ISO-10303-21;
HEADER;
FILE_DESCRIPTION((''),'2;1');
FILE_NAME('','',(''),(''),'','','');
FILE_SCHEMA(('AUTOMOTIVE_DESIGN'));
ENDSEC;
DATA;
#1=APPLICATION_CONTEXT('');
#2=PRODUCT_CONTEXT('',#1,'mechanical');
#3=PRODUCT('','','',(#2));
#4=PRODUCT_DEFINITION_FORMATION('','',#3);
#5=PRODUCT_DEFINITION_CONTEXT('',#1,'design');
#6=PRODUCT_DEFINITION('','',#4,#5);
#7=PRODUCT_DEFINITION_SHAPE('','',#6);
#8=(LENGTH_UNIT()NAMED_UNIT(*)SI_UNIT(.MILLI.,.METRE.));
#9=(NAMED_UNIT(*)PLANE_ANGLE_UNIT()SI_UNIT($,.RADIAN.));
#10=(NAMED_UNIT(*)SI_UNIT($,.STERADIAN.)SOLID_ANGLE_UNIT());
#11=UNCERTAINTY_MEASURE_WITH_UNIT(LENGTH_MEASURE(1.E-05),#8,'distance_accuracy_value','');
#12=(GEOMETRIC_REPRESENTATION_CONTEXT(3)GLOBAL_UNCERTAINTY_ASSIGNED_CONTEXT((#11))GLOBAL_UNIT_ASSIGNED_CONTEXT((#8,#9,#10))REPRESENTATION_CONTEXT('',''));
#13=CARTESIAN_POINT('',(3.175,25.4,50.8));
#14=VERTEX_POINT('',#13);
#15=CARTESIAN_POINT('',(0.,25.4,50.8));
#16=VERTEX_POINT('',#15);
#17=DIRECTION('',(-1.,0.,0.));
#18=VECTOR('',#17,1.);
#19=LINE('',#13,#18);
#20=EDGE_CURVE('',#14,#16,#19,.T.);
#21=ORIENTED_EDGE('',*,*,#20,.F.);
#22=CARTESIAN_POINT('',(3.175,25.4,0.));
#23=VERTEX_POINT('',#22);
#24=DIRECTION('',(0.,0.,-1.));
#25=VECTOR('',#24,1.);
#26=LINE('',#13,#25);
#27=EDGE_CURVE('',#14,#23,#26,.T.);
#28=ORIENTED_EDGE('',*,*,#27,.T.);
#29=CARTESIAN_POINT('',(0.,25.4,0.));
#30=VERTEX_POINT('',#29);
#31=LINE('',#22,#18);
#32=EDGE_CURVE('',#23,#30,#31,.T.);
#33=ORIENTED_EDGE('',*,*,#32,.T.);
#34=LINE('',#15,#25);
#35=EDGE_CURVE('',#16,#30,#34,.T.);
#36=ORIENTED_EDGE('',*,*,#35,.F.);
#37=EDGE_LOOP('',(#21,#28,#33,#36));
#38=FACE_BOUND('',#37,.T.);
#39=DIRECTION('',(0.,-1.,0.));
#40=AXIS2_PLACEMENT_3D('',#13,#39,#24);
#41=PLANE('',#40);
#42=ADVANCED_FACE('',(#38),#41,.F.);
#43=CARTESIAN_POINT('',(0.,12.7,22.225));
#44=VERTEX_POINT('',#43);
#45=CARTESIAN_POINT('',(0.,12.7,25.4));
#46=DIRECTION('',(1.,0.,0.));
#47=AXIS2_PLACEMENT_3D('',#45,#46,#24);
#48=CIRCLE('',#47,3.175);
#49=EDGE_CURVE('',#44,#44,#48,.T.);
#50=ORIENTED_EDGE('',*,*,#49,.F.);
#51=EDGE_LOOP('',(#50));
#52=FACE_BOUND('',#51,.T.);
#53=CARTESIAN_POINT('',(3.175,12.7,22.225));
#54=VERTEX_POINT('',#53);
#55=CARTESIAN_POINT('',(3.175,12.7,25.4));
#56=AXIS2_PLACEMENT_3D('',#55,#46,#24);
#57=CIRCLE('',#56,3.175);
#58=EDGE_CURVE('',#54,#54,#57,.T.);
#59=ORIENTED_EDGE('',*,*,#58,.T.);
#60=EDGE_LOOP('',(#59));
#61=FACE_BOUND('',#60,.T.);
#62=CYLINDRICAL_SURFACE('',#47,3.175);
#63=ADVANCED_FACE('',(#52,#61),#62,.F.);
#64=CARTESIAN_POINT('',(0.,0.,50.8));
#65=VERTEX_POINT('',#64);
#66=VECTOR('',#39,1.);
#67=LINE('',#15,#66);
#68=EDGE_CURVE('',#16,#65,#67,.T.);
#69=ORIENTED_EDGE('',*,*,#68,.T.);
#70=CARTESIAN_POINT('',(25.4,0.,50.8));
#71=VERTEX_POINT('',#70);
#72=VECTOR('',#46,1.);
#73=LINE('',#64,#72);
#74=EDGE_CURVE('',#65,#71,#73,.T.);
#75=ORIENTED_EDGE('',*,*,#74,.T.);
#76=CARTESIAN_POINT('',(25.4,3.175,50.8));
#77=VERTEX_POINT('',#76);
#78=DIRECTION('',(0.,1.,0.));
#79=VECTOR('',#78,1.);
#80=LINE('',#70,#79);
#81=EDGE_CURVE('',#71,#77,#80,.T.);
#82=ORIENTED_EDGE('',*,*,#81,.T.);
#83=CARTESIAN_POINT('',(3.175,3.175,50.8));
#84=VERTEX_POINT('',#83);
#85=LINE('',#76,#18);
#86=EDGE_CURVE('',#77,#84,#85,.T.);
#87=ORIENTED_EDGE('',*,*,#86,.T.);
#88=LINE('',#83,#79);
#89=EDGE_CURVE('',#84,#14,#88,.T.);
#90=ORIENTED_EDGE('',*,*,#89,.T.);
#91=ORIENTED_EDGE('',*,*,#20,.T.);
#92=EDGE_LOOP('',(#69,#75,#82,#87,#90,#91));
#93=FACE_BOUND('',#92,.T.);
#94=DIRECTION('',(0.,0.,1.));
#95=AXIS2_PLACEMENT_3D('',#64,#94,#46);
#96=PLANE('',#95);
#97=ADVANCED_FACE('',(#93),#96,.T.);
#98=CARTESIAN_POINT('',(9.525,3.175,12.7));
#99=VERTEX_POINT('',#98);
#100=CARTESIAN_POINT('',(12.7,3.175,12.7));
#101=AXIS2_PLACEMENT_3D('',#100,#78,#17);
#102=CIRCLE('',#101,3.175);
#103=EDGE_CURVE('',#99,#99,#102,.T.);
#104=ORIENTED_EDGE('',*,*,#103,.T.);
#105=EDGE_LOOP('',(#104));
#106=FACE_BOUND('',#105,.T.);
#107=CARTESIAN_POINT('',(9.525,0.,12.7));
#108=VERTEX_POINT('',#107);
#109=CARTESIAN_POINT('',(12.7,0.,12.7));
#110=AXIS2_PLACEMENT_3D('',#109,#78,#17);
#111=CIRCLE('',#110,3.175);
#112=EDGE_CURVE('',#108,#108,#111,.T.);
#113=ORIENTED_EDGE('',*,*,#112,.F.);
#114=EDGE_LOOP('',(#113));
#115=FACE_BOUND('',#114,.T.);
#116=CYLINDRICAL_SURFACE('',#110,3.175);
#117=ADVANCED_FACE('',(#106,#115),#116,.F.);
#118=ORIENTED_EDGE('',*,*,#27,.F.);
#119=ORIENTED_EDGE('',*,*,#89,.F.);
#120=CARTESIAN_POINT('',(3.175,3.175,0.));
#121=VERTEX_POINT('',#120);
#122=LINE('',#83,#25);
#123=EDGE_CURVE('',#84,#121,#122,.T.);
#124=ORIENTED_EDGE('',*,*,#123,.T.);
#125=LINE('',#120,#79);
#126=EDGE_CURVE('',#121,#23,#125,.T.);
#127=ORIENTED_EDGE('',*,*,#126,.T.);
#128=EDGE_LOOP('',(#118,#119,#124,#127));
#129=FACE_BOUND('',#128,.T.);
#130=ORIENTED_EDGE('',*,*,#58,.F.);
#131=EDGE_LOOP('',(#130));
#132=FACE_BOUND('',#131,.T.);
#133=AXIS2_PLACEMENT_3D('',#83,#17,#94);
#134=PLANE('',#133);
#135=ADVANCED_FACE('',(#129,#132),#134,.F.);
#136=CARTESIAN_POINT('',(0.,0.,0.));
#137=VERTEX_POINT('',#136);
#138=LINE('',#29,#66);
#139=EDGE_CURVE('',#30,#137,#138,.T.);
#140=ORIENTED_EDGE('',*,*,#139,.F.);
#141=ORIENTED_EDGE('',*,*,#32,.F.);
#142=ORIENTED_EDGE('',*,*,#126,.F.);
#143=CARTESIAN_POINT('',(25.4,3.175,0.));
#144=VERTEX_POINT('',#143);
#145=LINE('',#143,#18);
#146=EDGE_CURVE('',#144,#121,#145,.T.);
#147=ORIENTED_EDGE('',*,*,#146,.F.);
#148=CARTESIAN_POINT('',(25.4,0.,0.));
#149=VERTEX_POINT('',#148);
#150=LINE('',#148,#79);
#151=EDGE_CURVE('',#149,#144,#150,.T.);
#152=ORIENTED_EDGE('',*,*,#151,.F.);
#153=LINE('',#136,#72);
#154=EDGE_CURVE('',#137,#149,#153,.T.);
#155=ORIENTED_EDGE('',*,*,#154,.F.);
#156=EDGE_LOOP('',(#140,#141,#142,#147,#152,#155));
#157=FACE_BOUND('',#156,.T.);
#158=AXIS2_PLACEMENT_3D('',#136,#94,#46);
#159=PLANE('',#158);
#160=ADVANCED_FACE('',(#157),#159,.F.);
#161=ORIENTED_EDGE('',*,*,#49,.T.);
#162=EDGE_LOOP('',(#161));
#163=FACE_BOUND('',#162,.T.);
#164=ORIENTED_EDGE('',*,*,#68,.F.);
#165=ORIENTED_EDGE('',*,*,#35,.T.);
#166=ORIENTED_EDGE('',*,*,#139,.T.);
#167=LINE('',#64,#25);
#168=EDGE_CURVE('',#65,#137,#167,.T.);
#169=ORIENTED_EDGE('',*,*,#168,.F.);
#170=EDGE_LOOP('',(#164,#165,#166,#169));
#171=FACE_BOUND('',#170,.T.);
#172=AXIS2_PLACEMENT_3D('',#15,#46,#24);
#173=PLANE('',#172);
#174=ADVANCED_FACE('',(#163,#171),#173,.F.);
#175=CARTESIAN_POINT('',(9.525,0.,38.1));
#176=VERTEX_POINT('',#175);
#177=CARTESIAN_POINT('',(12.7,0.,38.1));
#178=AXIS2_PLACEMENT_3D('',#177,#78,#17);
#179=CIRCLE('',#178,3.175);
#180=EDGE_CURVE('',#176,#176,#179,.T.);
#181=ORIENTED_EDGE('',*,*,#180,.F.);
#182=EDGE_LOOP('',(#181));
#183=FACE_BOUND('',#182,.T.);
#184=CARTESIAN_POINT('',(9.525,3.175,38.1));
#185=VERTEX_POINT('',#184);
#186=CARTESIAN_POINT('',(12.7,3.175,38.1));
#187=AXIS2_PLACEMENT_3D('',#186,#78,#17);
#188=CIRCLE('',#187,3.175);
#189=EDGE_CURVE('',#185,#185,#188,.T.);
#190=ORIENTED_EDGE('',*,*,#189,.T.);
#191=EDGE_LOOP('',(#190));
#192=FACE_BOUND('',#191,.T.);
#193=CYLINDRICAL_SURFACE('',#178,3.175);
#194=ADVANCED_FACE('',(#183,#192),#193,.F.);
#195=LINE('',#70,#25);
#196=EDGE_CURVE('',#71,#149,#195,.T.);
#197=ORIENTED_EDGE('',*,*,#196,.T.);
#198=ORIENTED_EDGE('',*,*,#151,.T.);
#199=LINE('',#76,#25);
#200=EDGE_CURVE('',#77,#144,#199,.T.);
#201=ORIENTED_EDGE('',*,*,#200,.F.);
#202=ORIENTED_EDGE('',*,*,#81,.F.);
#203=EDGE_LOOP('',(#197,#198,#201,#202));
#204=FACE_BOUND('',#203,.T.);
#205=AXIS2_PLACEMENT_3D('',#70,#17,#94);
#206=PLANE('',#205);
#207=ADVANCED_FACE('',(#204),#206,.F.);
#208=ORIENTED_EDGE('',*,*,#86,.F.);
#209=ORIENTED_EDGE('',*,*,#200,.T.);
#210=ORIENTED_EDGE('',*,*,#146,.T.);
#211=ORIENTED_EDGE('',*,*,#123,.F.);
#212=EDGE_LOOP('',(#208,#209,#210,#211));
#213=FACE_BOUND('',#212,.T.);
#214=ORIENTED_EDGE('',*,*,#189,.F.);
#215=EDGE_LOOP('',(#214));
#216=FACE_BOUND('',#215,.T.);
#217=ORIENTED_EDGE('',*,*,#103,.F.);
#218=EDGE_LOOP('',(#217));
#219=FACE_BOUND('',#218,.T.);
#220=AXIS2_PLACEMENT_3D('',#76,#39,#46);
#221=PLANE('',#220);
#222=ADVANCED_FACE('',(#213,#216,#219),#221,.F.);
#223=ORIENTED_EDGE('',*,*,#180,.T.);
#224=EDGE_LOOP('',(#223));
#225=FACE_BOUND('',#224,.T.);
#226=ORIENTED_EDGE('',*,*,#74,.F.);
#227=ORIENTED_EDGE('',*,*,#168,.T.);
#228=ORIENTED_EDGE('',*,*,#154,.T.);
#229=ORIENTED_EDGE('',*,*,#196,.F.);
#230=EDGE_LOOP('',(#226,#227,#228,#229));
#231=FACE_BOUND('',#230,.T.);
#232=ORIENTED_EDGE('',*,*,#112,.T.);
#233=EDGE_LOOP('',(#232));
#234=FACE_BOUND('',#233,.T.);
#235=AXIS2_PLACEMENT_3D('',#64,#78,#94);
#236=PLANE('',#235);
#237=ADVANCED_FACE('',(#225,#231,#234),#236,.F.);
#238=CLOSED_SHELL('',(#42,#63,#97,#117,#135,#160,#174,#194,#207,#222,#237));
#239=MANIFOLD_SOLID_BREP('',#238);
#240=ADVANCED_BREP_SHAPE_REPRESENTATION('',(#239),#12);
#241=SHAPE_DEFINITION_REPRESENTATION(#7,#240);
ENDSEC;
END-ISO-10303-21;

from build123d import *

# Parameters (mm, degrees)
BOSS_EXTRUDE1_DEPTH = 50.8
SKETCH2_R           = 3.175
CUT_EXTRUDE1_DEPTH  = 4.175
SKETCH3_R           = 3.175
CUT_EXTRUDE2_DEPTH  = 4.175


with BuildPart() as part:
    # Sketch1 → Boss-Extrude1 (new body)
    with BuildSketch(Plane.XY):
        Polygon((0, 0), (25.4, 0), (25.4, 3.175), (3.175, 3.175), (3.175, 25.4), (0, 25.4), align=None)
    extrude(amount=BOSS_EXTRUDE1_DEPTH)

    # Sketch2 → Cut-Extrude1 (cut, through all)
    with BuildSketch(Plane(origin=(3.175, 0, 0), x_dir=(0, 0, -1), z_dir=(1, 0, 0))):
        with Locations((-25.4, 12.7)):
            Circle(SKETCH2_R)
    extrude(amount=-CUT_EXTRUDE1_DEPTH, mode=Mode.SUBTRACT)

    # Sketch3 → Cut-Extrude2 (cut, through all)
    with BuildSketch(Plane(origin=(0, 3.175, 0), x_dir=(1, 0, 0), z_dir=(0, 1, 0))):
        with Locations((12.7, -38.1)):
            Circle(SKETCH3_R)
        with Locations((12.7, -12.7)):
            Circle(SKETCH3_R)
    extrude(amount=-CUT_EXTRUDE2_DEPTH, mode=Mode.SUBTRACT)


solid = part.part
